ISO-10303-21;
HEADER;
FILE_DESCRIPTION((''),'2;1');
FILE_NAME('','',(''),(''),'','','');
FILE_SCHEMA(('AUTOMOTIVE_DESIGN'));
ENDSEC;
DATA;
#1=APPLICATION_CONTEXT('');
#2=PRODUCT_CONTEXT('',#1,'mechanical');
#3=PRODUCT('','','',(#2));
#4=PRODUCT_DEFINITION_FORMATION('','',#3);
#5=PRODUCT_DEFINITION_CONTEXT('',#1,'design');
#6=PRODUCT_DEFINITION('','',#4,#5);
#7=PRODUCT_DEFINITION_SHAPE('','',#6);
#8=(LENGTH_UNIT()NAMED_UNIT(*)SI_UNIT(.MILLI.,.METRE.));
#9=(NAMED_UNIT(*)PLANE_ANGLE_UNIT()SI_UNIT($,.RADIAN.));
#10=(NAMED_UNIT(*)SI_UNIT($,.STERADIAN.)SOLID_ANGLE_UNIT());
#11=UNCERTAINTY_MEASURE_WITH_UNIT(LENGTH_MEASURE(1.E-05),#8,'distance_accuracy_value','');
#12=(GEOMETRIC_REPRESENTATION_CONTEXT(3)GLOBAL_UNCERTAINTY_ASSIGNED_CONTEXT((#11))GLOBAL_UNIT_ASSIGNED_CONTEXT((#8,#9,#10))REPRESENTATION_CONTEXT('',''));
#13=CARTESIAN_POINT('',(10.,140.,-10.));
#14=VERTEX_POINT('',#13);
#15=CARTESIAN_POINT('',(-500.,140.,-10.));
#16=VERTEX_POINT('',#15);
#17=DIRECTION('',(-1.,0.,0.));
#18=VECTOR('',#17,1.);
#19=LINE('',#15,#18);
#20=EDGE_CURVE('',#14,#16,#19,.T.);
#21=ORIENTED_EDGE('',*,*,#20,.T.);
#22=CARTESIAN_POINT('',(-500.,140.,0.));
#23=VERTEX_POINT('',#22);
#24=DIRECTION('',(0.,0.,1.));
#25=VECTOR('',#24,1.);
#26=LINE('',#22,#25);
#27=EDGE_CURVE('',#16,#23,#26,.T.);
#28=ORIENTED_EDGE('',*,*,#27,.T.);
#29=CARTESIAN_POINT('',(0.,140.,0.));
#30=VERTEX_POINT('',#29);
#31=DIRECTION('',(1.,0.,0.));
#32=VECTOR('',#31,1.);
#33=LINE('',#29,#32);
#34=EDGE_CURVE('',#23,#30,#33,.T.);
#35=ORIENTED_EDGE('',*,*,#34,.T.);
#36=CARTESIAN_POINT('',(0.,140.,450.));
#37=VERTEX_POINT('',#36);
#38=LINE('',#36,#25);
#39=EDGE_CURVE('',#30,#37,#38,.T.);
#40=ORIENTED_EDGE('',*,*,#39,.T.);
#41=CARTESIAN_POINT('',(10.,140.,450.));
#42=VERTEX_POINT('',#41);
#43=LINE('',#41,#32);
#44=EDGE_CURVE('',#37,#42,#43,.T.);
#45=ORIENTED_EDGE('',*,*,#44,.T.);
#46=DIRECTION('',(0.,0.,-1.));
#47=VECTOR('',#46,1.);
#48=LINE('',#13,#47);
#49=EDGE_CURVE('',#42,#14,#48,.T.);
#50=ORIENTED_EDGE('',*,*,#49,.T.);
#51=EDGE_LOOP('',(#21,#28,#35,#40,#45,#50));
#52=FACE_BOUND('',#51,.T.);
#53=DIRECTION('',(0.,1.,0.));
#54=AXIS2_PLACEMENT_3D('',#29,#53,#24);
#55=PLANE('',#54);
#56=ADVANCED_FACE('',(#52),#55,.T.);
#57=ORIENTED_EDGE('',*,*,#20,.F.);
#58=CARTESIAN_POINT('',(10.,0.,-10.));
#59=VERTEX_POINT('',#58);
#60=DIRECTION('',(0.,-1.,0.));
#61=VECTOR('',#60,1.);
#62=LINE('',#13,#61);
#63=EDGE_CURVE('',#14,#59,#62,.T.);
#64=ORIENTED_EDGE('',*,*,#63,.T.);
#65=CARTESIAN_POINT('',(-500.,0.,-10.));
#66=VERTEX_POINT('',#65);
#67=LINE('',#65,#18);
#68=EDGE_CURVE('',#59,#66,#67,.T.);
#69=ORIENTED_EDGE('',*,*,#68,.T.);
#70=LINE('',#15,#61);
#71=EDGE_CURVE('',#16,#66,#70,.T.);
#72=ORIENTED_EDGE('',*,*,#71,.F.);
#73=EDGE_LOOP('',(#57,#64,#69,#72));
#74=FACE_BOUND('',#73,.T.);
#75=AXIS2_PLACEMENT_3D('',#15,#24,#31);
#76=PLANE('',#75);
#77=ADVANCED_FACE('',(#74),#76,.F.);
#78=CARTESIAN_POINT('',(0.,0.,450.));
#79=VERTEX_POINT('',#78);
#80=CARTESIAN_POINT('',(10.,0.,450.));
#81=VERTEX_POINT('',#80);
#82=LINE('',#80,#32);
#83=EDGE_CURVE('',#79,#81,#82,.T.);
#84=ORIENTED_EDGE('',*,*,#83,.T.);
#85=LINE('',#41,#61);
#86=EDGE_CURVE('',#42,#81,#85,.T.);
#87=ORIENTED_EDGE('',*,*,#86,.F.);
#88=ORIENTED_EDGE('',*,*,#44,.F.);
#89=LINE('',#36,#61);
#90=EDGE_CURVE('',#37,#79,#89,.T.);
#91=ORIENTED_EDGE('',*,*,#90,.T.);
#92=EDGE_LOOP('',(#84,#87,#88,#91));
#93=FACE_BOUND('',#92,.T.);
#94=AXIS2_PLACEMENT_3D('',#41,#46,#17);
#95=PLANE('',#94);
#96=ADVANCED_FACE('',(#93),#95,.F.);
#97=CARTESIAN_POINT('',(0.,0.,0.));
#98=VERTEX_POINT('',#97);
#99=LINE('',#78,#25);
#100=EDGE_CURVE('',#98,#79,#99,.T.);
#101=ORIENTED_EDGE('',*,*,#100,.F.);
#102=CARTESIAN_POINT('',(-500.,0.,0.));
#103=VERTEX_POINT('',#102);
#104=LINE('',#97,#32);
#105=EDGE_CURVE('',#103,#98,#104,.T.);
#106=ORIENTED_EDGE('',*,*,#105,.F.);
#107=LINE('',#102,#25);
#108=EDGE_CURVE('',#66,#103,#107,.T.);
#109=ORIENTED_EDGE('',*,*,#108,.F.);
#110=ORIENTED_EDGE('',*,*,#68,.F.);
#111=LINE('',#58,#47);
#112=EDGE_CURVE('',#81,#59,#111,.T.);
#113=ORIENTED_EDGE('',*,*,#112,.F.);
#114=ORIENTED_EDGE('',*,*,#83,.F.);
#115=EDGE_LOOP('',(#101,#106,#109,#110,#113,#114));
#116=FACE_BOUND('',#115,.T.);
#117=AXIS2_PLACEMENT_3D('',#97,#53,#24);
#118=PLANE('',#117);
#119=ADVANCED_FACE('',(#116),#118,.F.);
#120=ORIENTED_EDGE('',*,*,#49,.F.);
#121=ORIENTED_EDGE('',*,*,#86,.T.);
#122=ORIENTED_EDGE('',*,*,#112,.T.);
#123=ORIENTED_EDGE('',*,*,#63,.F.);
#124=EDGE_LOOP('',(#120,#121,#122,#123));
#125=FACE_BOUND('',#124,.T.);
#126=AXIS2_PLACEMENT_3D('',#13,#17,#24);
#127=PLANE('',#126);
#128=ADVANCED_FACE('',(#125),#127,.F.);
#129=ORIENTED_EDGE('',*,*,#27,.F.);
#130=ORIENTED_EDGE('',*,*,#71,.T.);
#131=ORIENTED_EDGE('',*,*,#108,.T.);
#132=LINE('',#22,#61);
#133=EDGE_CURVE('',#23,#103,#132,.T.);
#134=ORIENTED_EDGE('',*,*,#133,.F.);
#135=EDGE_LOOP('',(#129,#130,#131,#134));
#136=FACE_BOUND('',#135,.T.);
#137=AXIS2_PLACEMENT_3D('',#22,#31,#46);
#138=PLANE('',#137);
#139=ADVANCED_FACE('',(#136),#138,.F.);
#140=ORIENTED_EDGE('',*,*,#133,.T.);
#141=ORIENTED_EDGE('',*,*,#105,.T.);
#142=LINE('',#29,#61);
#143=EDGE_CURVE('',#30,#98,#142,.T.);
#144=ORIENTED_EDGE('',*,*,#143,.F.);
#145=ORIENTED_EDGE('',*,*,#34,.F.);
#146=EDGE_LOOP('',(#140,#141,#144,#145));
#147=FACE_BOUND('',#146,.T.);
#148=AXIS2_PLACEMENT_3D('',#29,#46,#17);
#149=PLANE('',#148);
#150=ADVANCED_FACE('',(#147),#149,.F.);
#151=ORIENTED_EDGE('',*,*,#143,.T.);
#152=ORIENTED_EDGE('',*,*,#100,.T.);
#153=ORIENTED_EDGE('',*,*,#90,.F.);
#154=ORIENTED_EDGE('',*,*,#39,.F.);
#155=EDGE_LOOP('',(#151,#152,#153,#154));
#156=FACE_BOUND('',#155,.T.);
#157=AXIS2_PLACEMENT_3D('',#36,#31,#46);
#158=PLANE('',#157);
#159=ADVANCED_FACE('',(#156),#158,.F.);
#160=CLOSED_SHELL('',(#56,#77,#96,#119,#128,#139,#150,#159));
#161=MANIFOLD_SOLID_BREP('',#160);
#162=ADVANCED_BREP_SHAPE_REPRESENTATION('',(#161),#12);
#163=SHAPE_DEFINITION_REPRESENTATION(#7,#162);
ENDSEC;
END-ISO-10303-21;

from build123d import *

# Parameters (mm, degrees)
BOSS_EXTRUDE1_DEPTH = 140


with BuildPart() as part:
    # Sketch1 → Boss-Extrude1 (new body)
    with BuildSketch(Plane(origin=(0, 0, 0), x_dir=(1, 0, 0), z_dir=(0, 1, 0))):
        Polygon((0, 0), (-500, 0), (-500, 10), (10, 10), (10, -450), (0, -450), align=None)
    extrude(amount=BOSS_EXTRUDE1_DEPTH)


solid = part.part
